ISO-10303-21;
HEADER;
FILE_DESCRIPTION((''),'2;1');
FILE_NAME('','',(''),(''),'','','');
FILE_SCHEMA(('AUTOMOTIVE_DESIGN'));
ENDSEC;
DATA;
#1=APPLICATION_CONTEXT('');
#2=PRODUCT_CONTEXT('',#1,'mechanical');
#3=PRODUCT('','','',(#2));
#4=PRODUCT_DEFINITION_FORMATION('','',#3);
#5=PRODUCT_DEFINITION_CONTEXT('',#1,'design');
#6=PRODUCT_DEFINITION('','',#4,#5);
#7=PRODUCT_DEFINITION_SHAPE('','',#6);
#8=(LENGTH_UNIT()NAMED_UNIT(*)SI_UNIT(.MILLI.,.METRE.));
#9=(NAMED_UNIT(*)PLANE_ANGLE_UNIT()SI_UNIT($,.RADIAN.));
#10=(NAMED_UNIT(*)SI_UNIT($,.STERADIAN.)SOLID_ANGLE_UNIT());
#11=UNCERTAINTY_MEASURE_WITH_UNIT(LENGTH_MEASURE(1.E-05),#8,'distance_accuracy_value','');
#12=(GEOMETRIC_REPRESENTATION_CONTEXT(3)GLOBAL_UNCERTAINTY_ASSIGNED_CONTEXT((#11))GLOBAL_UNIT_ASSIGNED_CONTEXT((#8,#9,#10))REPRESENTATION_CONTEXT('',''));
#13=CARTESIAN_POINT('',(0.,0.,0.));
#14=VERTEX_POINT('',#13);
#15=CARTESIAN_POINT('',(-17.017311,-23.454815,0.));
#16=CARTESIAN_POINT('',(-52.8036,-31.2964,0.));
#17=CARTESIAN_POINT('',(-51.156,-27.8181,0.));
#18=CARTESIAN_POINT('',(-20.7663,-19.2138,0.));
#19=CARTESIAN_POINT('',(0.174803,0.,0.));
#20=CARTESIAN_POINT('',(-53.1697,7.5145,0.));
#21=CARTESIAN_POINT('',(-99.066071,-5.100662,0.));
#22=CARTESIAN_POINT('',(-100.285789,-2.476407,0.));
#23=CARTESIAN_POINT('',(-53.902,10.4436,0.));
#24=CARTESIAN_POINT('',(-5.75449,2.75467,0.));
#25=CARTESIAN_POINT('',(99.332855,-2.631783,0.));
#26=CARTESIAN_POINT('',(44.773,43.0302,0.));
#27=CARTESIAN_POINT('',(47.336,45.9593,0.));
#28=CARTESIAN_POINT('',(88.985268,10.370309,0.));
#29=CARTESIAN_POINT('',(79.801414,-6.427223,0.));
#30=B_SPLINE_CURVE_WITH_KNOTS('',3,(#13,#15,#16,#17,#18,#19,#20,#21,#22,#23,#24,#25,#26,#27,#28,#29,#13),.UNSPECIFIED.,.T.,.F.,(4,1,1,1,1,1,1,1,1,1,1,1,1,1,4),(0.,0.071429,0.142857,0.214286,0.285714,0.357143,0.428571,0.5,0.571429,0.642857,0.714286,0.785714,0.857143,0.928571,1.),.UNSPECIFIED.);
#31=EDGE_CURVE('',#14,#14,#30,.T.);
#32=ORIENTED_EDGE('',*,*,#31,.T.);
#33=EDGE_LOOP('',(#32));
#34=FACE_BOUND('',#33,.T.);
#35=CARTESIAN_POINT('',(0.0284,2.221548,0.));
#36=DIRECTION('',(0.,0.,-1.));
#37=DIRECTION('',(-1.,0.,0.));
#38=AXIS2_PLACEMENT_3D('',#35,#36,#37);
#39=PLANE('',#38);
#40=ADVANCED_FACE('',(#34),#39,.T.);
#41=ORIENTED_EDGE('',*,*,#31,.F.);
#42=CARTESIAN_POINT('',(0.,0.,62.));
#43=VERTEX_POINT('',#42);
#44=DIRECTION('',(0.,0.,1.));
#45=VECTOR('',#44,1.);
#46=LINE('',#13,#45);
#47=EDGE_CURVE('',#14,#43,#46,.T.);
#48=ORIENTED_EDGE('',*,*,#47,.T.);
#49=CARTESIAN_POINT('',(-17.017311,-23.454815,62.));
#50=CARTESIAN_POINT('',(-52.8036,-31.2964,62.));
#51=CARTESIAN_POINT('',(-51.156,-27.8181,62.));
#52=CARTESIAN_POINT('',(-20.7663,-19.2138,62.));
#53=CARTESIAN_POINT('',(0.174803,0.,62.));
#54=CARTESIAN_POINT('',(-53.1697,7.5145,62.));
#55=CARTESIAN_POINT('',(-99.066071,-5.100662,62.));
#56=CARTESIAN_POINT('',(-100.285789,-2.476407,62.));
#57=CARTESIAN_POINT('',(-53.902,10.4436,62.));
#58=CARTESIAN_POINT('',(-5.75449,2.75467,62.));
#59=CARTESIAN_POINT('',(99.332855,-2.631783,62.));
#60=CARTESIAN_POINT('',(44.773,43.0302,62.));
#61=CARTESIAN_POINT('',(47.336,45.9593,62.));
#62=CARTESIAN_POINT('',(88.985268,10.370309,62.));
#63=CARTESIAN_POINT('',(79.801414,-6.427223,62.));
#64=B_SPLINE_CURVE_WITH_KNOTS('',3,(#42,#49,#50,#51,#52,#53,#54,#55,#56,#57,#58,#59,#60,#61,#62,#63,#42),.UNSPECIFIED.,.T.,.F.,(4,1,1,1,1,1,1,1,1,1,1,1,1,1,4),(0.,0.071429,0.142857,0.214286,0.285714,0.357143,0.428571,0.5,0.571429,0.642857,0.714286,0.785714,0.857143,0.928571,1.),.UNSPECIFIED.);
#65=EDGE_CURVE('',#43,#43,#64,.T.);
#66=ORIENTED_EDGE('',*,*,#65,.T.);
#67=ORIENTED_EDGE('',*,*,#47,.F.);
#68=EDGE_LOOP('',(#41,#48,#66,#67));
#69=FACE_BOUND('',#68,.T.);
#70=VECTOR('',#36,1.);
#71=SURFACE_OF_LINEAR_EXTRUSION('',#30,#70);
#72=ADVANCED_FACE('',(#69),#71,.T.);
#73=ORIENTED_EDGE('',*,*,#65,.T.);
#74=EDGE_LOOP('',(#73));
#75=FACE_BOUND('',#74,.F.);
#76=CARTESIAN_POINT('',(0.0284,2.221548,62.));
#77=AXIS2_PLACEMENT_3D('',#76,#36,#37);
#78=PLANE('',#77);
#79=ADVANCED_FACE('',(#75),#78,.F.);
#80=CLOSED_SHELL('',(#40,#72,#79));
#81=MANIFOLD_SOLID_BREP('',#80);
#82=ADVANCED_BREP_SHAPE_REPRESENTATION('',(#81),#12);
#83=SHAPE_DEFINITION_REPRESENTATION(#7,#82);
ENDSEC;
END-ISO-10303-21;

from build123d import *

# Parameters (mm, degrees)
EXTRUDE_DEPTH = 62


with BuildPart() as part:
    # Sketch → Extrude (new body)
    with BuildSketch(Plane.XY):
        with BuildLine():
            add(Edge.make_bspline(
                [(0, 0), (-17.017311, -23.454815), (-52.8036, -31.2964), (-51.156, -27.8181), (-20.7663, -19.2138), (0.174803, 0), (-53.1697, 7.5145), (-99.066071, -5.100662), (-100.285789, -2.476407), (-53.902, 10.4436), (-5.75449, 2.75467), (99.332855, -2.631783), (44.773, 43.0302), (47.336, 45.9593), (88.985268, 10.370309), (79.801414, -6.427223), (0, 0)],
                knots=[0, 0, 0, 0, 0.071429, 0.142857, 0.214286, 0.285714, 0.357143, 0.428571, 0.5, 0.571429, 0.642857, 0.714286, 0.785714, 0.857143, 0.928571, 1, 1, 1, 1], degree=3))
        make_face()
    extrude(amount=EXTRUDE_DEPTH)


solid = part.part
